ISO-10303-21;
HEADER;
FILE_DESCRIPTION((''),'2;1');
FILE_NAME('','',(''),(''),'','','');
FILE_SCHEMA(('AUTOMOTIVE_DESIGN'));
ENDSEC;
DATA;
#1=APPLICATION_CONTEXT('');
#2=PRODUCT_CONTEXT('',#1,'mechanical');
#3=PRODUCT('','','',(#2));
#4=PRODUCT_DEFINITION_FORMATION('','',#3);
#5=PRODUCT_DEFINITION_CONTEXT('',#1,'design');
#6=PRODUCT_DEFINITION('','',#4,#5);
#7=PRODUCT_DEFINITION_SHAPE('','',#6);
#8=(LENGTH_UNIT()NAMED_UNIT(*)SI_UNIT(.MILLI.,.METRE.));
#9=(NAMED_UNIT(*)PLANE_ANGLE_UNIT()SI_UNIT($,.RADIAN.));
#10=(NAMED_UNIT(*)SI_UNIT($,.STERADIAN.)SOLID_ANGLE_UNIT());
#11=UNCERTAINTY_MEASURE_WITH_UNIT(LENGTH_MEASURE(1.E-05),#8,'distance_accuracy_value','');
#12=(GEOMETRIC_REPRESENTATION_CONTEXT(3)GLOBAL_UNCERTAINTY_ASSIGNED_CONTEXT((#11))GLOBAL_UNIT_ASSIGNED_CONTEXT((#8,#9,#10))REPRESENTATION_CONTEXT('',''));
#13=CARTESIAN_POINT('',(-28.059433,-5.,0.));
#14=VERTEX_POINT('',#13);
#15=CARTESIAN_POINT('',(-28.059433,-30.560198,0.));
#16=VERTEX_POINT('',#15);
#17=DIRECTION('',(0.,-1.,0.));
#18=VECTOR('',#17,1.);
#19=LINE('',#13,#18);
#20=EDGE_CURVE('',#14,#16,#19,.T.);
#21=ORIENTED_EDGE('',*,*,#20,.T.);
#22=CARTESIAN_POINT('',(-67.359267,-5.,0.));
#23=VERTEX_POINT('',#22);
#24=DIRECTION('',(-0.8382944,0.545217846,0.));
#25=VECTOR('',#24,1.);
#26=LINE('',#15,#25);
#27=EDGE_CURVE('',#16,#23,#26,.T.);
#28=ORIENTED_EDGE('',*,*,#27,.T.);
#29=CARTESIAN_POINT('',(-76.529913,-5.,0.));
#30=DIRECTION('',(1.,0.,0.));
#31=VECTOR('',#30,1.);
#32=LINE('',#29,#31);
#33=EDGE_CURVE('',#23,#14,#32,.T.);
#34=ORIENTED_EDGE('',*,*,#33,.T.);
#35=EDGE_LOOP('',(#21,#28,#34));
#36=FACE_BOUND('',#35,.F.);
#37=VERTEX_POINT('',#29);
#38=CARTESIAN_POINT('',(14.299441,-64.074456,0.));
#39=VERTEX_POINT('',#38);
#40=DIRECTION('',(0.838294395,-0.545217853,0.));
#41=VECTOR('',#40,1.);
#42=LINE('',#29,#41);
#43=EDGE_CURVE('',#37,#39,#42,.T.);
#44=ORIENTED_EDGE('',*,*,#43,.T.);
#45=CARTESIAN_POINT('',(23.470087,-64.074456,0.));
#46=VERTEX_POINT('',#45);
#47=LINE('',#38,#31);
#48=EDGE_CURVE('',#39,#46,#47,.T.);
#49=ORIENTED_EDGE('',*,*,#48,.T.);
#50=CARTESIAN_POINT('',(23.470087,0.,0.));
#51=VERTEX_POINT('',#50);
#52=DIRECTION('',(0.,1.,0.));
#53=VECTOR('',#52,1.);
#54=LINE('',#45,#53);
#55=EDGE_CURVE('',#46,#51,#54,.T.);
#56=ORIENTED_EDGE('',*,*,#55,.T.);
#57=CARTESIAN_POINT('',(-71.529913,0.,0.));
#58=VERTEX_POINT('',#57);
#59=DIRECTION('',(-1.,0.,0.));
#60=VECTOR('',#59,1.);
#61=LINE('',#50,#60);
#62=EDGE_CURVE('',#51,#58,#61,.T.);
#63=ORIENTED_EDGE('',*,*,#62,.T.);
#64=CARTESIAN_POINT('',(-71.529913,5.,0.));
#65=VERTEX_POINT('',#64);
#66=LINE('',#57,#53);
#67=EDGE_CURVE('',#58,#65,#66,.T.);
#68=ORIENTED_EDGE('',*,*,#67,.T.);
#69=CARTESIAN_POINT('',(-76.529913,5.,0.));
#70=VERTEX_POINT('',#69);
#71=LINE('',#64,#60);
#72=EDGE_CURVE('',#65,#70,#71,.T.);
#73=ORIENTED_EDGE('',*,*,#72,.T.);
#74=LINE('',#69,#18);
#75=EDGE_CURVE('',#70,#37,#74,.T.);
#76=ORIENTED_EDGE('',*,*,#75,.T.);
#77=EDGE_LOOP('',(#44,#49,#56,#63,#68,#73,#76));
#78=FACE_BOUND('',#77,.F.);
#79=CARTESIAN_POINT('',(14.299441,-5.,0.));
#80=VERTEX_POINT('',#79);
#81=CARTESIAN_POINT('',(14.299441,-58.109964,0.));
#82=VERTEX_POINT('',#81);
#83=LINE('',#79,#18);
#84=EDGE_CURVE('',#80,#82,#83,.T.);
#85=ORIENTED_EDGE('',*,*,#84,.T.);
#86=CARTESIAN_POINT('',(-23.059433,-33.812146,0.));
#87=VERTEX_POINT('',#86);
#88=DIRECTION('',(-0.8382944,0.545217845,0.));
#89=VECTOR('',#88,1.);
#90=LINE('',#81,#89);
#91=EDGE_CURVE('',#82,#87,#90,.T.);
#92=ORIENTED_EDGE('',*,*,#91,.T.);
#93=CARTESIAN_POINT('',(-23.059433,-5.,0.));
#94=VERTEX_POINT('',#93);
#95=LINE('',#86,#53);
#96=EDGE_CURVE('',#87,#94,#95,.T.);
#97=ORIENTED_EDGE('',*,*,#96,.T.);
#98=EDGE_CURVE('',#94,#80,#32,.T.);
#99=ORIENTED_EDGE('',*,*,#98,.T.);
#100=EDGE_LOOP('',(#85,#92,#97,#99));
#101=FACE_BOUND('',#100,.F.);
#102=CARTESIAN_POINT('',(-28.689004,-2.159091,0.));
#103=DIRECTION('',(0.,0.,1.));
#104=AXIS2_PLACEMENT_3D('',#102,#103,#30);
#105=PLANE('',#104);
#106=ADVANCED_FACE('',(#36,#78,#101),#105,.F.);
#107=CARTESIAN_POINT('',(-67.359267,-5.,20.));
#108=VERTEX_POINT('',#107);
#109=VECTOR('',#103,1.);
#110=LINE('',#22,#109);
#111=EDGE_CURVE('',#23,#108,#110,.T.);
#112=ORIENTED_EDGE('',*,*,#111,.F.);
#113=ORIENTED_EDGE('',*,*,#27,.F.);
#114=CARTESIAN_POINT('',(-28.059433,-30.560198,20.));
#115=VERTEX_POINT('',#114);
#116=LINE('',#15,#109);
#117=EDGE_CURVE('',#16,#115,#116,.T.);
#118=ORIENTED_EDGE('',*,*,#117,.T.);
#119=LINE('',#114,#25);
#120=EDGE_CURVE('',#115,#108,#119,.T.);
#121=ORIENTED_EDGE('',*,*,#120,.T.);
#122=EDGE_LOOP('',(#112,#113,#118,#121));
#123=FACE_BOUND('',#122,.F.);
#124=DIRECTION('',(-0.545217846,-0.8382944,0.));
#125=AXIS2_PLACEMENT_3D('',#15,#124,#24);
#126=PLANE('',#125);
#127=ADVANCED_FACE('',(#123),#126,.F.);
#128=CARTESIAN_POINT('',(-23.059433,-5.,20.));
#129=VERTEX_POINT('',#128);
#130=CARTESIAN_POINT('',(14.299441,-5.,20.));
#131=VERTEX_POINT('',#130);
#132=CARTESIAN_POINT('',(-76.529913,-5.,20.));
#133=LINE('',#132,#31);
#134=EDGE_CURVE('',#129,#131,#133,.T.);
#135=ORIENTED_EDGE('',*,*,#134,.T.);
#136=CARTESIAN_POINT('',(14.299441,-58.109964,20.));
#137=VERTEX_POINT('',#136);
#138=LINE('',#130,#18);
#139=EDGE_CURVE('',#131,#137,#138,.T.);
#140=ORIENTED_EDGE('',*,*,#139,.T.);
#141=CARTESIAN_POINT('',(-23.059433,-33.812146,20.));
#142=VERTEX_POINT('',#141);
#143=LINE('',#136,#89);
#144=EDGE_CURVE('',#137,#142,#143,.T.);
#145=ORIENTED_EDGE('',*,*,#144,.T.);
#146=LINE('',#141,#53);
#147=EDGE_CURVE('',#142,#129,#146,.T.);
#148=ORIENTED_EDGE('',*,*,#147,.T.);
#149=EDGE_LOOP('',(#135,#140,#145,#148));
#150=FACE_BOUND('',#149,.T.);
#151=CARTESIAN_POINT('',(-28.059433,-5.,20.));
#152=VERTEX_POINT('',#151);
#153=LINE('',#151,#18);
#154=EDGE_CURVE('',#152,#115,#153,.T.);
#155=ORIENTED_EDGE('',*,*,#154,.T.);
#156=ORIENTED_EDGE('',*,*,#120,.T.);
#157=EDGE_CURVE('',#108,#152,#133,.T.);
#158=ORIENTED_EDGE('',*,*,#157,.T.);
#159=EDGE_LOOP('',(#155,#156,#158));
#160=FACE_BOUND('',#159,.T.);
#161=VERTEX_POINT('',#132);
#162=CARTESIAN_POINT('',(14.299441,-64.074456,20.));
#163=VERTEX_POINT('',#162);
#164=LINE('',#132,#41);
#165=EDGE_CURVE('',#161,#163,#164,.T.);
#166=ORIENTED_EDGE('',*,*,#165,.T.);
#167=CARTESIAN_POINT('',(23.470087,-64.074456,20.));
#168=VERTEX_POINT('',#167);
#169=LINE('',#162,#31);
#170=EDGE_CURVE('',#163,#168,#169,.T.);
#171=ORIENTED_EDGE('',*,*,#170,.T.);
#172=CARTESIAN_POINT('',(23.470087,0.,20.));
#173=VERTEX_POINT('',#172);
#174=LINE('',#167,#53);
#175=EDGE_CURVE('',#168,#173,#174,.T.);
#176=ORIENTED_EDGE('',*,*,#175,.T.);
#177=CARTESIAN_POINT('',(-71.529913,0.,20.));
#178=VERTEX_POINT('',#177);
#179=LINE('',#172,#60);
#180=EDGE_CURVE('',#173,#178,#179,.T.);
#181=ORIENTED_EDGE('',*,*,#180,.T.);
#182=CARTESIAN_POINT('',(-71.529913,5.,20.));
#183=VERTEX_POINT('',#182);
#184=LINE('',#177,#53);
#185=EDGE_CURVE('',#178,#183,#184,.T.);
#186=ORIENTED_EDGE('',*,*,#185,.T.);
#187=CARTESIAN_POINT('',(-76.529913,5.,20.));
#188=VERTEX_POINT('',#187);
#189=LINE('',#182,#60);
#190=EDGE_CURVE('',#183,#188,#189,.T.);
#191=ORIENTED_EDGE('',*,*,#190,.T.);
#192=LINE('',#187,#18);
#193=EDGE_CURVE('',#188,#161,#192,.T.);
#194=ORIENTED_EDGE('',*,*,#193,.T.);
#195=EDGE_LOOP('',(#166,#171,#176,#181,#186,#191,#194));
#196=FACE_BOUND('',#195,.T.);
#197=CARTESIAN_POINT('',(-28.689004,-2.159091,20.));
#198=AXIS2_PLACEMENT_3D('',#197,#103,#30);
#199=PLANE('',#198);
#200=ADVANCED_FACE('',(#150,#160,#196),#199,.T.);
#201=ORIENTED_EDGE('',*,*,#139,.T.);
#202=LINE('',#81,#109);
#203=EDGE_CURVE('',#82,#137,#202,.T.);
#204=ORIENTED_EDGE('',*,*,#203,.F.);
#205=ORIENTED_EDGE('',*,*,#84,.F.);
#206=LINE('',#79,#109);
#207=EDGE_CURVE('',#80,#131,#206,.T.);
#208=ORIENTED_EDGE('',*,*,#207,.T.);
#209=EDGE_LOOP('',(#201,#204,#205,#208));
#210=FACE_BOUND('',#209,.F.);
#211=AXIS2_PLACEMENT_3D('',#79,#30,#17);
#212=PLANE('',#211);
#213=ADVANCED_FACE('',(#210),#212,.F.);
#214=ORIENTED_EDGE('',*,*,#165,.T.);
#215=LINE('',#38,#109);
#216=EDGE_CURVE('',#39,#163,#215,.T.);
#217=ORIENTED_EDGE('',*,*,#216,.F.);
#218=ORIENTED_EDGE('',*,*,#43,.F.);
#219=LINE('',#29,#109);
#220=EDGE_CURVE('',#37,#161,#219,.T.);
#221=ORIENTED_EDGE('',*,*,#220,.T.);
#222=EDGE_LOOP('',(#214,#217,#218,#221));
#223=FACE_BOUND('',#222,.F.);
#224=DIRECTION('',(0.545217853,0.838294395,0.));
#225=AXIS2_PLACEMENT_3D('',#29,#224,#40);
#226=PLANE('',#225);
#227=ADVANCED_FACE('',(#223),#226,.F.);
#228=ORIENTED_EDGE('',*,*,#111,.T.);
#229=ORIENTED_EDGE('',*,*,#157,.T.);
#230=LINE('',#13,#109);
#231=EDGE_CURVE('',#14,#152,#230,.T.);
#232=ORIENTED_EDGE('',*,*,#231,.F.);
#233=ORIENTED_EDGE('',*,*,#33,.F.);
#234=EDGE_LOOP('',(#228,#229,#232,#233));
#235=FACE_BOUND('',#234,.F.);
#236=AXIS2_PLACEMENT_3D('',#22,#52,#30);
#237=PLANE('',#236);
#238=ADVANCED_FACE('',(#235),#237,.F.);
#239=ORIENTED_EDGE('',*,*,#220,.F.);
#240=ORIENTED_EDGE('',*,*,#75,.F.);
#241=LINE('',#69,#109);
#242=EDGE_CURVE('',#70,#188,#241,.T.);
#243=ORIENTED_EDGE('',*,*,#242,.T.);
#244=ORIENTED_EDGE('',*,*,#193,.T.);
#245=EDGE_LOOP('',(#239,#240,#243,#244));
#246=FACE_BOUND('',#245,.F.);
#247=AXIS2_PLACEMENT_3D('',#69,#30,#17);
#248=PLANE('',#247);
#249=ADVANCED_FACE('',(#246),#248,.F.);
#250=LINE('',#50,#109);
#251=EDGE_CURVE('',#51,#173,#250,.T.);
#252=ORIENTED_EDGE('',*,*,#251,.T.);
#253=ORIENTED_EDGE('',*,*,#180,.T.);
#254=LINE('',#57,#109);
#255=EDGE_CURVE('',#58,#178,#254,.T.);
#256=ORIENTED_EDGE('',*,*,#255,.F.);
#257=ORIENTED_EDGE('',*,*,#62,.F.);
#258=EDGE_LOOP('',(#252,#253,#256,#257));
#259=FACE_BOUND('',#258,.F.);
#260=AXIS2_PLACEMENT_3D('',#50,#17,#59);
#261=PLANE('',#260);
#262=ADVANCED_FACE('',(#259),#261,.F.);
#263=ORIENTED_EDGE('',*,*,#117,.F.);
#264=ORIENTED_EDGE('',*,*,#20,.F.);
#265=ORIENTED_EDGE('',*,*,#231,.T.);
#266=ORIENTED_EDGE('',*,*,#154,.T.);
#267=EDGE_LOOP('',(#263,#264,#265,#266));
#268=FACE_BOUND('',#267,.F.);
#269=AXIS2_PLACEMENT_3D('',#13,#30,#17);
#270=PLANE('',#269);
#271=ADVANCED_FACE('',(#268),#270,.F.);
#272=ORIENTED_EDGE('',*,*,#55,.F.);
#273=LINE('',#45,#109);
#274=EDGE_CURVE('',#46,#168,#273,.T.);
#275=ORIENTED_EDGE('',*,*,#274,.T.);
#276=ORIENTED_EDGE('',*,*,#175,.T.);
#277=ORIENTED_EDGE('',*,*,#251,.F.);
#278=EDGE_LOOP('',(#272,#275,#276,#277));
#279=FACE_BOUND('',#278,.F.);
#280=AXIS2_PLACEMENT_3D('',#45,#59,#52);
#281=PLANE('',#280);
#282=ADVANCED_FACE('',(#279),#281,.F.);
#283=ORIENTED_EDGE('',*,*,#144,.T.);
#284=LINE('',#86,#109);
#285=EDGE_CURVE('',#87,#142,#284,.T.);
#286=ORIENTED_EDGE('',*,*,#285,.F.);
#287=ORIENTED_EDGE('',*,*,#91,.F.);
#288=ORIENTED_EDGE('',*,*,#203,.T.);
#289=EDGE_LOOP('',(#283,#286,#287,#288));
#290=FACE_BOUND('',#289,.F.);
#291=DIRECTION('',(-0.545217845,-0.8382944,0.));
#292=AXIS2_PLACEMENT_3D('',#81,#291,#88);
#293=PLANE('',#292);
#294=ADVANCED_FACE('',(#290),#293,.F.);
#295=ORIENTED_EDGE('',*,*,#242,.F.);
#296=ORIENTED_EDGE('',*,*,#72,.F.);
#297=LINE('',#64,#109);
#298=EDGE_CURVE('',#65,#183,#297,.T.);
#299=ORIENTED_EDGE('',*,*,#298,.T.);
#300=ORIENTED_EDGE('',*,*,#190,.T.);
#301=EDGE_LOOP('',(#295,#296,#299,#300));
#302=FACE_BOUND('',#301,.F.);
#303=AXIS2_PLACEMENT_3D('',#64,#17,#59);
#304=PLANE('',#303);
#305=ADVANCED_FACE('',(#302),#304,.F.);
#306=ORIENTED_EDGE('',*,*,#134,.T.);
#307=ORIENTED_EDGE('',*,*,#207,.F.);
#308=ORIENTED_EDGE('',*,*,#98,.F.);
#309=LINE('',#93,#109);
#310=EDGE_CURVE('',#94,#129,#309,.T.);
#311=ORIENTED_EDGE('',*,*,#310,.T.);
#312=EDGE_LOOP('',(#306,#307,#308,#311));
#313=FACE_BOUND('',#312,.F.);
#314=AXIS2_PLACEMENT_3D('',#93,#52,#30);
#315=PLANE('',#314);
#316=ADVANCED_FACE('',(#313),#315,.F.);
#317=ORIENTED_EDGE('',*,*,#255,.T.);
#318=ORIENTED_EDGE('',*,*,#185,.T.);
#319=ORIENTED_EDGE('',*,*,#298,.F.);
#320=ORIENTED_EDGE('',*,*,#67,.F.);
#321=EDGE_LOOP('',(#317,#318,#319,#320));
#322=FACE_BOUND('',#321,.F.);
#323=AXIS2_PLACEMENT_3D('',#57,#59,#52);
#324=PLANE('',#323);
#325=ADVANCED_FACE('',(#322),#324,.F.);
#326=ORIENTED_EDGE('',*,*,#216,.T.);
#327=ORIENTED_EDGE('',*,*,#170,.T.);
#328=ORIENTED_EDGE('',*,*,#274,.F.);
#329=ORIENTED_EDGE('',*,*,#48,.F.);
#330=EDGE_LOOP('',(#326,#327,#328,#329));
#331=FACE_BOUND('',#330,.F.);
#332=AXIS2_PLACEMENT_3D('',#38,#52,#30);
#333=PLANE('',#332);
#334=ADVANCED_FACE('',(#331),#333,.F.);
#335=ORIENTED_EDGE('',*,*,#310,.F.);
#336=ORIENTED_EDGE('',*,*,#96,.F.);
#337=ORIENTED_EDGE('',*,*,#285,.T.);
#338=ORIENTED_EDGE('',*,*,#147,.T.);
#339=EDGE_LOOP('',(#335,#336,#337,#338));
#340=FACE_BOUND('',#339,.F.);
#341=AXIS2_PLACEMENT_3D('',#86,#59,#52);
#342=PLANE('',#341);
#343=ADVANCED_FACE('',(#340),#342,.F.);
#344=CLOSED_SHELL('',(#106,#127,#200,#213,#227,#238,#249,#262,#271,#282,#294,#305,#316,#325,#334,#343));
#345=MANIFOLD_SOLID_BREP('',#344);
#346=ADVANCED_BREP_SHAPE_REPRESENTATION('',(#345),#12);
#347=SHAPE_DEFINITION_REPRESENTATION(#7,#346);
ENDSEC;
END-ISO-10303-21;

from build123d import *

# Parameters (mm, degrees)
F1_DEPTH = 20


with BuildPart() as f1:
    # F0 (on Top) → F1 (new body)
    with BuildSketch(Plane.XY):
        Polygon((23.470087, -5), (23.470087, 0), (-71.529913, 0), (-71.529913, 5), (-76.529913, 5), (-76.529913, 0), (-76.529913, -5), (-67.359267, -5), (-28.059433, -5), (-23.059433, -5), (14.299441, -5), align=None)
        Polygon((23.470087, -64.074456), (23.470087, -5), (14.299441, -5), (14.299441, -58.109964), align=None)
        Polygon((14.299441, -64.074456), (23.470087, -64.074456), (14.299441, -58.109964), align=None)
        Polygon((14.299441, -64.074456), (14.299441, -58.109964), (-23.059433, -33.812146), (-28.059433, -30.560198), (-67.359267, -5), (-76.529913, -5), align=None)
        Polygon((-23.059433, -33.812146), (-23.059433, -5), (-28.059433, -5), (-28.059433, -30.560198), align=None)
    extrude(amount=F1_DEPTH)


solid = f1.part
